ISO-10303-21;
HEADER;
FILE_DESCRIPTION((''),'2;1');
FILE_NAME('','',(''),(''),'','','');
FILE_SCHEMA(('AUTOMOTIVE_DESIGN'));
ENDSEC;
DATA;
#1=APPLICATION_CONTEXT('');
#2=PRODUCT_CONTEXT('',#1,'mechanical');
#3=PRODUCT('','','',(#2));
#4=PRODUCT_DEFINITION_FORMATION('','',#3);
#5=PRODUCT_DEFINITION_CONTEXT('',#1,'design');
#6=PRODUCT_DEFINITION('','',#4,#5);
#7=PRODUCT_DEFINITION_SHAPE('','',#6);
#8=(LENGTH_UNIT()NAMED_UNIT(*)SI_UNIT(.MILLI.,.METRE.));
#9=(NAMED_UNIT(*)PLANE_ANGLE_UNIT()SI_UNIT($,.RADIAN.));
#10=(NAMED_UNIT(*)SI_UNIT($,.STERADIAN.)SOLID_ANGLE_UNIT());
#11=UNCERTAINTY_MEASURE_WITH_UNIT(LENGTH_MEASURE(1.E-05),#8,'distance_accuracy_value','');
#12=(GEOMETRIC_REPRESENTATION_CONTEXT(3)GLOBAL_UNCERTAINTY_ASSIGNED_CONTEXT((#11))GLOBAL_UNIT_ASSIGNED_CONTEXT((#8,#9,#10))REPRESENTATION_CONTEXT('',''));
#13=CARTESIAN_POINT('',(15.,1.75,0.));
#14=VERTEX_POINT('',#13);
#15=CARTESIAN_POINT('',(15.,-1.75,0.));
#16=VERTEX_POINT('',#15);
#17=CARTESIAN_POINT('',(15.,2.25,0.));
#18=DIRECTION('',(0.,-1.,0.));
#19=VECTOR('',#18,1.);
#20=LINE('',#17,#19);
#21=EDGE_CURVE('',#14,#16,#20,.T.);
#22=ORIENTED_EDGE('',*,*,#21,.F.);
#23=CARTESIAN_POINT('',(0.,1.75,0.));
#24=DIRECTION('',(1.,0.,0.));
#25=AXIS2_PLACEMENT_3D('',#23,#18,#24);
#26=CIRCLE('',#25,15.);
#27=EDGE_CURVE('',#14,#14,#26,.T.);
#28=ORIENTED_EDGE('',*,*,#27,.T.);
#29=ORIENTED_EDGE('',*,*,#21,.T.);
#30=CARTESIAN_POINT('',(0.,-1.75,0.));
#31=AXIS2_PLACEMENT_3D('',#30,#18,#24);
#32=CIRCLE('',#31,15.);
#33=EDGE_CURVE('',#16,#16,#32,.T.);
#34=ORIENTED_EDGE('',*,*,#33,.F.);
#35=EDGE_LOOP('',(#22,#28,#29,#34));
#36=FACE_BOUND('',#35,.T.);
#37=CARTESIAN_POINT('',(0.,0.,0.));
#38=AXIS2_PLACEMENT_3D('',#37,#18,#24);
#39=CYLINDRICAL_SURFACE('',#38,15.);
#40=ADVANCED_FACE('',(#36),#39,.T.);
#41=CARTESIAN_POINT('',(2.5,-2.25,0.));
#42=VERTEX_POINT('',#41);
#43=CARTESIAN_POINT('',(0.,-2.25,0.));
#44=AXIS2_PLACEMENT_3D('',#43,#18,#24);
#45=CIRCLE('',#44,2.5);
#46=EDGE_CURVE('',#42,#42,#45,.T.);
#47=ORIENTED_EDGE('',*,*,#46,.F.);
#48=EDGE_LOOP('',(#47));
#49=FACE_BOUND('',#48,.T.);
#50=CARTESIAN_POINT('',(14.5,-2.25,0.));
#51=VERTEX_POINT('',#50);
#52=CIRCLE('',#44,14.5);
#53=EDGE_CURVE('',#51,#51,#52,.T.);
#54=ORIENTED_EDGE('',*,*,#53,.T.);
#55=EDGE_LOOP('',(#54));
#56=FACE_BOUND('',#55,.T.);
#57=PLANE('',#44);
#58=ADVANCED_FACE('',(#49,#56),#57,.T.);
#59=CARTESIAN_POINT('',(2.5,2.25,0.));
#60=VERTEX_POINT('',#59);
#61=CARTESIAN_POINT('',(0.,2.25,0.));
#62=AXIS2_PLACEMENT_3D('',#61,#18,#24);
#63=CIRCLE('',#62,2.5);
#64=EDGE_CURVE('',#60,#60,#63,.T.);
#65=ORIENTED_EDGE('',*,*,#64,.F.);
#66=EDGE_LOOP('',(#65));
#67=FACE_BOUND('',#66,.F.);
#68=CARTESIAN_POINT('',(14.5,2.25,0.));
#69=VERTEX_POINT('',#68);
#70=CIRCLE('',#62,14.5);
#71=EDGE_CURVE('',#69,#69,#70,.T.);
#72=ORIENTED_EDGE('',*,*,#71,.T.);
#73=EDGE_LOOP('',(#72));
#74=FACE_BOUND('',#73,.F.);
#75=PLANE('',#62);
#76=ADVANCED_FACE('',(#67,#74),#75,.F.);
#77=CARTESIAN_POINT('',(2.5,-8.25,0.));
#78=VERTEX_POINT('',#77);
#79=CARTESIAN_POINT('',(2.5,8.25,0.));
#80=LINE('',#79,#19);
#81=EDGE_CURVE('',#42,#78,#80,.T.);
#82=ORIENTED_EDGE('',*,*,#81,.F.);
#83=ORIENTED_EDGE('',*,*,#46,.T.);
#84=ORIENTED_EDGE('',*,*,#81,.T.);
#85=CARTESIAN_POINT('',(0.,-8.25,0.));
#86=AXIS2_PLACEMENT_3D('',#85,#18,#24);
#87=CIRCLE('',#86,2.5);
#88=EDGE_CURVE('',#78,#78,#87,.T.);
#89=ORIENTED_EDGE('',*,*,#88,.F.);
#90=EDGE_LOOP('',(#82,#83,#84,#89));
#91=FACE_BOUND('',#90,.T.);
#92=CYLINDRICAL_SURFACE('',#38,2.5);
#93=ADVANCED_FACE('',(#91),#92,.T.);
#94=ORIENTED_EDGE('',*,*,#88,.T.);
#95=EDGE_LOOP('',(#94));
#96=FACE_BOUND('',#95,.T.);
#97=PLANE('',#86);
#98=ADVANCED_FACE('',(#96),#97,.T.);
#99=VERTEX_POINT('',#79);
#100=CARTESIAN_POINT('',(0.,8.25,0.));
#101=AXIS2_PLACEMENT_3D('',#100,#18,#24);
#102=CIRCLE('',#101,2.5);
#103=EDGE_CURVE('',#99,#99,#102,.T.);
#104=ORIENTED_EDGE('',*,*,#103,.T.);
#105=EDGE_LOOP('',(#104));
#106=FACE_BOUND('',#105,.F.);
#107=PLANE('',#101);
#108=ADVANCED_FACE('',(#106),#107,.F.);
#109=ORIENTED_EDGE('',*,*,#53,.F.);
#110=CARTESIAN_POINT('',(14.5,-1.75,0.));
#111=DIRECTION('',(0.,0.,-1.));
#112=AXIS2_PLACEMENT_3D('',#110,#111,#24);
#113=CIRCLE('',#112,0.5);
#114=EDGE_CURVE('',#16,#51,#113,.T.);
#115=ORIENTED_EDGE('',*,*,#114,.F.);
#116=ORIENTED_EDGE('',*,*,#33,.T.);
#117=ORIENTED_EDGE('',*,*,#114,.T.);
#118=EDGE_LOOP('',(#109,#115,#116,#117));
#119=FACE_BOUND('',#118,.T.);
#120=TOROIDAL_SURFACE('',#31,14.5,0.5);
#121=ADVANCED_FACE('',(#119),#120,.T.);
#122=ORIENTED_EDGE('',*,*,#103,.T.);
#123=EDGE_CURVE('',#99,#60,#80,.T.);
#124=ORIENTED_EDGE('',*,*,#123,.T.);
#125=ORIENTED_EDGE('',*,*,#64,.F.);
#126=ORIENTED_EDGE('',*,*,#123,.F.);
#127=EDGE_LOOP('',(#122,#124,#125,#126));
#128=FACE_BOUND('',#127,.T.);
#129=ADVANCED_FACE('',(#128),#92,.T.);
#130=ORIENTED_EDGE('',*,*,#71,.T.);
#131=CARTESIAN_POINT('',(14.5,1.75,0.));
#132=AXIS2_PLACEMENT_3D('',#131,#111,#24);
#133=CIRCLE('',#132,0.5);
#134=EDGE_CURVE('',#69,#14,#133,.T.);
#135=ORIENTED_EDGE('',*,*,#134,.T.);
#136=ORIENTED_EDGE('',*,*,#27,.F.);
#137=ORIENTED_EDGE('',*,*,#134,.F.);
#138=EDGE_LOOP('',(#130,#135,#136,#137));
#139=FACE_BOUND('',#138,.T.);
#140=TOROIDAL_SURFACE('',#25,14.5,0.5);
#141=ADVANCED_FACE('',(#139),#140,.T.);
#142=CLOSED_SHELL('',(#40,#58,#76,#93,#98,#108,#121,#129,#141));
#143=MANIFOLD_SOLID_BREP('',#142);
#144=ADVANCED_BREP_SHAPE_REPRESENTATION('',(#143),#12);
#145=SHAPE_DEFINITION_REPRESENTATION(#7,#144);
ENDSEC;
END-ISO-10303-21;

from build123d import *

# Parameters (mm, degrees)
F0_R     = 15
F0_R_2   = 2.5
F1_DEPTH = 2.25
F2_DEPTH = 8.25
F3_R     = 0.5


with BuildPart() as f1:
    # F0 (on Front) → F1 (new body, symmetric)
    with BuildSketch(Plane.XZ):
        Circle(F0_R)
        Circle(F0_R_2, mode=Mode.SUBTRACT)
    extrude(amount=F1_DEPTH, both=True)

    # F0 (on Front) → F2 (join, symmetric)
    with BuildSketch(Plane.XZ):
        Circle(F0_R_2)
    extrude(amount=F2_DEPTH, both=True)

    # F3
    f3_edges = [f1.edges().sort_by_distance(p)[0] for p in [
        (-15, -2.25, 0),
        (-15, 2.25, 0),
    ]]
    fillet(f3_edges, radius=F3_R)


solid = f1.part
